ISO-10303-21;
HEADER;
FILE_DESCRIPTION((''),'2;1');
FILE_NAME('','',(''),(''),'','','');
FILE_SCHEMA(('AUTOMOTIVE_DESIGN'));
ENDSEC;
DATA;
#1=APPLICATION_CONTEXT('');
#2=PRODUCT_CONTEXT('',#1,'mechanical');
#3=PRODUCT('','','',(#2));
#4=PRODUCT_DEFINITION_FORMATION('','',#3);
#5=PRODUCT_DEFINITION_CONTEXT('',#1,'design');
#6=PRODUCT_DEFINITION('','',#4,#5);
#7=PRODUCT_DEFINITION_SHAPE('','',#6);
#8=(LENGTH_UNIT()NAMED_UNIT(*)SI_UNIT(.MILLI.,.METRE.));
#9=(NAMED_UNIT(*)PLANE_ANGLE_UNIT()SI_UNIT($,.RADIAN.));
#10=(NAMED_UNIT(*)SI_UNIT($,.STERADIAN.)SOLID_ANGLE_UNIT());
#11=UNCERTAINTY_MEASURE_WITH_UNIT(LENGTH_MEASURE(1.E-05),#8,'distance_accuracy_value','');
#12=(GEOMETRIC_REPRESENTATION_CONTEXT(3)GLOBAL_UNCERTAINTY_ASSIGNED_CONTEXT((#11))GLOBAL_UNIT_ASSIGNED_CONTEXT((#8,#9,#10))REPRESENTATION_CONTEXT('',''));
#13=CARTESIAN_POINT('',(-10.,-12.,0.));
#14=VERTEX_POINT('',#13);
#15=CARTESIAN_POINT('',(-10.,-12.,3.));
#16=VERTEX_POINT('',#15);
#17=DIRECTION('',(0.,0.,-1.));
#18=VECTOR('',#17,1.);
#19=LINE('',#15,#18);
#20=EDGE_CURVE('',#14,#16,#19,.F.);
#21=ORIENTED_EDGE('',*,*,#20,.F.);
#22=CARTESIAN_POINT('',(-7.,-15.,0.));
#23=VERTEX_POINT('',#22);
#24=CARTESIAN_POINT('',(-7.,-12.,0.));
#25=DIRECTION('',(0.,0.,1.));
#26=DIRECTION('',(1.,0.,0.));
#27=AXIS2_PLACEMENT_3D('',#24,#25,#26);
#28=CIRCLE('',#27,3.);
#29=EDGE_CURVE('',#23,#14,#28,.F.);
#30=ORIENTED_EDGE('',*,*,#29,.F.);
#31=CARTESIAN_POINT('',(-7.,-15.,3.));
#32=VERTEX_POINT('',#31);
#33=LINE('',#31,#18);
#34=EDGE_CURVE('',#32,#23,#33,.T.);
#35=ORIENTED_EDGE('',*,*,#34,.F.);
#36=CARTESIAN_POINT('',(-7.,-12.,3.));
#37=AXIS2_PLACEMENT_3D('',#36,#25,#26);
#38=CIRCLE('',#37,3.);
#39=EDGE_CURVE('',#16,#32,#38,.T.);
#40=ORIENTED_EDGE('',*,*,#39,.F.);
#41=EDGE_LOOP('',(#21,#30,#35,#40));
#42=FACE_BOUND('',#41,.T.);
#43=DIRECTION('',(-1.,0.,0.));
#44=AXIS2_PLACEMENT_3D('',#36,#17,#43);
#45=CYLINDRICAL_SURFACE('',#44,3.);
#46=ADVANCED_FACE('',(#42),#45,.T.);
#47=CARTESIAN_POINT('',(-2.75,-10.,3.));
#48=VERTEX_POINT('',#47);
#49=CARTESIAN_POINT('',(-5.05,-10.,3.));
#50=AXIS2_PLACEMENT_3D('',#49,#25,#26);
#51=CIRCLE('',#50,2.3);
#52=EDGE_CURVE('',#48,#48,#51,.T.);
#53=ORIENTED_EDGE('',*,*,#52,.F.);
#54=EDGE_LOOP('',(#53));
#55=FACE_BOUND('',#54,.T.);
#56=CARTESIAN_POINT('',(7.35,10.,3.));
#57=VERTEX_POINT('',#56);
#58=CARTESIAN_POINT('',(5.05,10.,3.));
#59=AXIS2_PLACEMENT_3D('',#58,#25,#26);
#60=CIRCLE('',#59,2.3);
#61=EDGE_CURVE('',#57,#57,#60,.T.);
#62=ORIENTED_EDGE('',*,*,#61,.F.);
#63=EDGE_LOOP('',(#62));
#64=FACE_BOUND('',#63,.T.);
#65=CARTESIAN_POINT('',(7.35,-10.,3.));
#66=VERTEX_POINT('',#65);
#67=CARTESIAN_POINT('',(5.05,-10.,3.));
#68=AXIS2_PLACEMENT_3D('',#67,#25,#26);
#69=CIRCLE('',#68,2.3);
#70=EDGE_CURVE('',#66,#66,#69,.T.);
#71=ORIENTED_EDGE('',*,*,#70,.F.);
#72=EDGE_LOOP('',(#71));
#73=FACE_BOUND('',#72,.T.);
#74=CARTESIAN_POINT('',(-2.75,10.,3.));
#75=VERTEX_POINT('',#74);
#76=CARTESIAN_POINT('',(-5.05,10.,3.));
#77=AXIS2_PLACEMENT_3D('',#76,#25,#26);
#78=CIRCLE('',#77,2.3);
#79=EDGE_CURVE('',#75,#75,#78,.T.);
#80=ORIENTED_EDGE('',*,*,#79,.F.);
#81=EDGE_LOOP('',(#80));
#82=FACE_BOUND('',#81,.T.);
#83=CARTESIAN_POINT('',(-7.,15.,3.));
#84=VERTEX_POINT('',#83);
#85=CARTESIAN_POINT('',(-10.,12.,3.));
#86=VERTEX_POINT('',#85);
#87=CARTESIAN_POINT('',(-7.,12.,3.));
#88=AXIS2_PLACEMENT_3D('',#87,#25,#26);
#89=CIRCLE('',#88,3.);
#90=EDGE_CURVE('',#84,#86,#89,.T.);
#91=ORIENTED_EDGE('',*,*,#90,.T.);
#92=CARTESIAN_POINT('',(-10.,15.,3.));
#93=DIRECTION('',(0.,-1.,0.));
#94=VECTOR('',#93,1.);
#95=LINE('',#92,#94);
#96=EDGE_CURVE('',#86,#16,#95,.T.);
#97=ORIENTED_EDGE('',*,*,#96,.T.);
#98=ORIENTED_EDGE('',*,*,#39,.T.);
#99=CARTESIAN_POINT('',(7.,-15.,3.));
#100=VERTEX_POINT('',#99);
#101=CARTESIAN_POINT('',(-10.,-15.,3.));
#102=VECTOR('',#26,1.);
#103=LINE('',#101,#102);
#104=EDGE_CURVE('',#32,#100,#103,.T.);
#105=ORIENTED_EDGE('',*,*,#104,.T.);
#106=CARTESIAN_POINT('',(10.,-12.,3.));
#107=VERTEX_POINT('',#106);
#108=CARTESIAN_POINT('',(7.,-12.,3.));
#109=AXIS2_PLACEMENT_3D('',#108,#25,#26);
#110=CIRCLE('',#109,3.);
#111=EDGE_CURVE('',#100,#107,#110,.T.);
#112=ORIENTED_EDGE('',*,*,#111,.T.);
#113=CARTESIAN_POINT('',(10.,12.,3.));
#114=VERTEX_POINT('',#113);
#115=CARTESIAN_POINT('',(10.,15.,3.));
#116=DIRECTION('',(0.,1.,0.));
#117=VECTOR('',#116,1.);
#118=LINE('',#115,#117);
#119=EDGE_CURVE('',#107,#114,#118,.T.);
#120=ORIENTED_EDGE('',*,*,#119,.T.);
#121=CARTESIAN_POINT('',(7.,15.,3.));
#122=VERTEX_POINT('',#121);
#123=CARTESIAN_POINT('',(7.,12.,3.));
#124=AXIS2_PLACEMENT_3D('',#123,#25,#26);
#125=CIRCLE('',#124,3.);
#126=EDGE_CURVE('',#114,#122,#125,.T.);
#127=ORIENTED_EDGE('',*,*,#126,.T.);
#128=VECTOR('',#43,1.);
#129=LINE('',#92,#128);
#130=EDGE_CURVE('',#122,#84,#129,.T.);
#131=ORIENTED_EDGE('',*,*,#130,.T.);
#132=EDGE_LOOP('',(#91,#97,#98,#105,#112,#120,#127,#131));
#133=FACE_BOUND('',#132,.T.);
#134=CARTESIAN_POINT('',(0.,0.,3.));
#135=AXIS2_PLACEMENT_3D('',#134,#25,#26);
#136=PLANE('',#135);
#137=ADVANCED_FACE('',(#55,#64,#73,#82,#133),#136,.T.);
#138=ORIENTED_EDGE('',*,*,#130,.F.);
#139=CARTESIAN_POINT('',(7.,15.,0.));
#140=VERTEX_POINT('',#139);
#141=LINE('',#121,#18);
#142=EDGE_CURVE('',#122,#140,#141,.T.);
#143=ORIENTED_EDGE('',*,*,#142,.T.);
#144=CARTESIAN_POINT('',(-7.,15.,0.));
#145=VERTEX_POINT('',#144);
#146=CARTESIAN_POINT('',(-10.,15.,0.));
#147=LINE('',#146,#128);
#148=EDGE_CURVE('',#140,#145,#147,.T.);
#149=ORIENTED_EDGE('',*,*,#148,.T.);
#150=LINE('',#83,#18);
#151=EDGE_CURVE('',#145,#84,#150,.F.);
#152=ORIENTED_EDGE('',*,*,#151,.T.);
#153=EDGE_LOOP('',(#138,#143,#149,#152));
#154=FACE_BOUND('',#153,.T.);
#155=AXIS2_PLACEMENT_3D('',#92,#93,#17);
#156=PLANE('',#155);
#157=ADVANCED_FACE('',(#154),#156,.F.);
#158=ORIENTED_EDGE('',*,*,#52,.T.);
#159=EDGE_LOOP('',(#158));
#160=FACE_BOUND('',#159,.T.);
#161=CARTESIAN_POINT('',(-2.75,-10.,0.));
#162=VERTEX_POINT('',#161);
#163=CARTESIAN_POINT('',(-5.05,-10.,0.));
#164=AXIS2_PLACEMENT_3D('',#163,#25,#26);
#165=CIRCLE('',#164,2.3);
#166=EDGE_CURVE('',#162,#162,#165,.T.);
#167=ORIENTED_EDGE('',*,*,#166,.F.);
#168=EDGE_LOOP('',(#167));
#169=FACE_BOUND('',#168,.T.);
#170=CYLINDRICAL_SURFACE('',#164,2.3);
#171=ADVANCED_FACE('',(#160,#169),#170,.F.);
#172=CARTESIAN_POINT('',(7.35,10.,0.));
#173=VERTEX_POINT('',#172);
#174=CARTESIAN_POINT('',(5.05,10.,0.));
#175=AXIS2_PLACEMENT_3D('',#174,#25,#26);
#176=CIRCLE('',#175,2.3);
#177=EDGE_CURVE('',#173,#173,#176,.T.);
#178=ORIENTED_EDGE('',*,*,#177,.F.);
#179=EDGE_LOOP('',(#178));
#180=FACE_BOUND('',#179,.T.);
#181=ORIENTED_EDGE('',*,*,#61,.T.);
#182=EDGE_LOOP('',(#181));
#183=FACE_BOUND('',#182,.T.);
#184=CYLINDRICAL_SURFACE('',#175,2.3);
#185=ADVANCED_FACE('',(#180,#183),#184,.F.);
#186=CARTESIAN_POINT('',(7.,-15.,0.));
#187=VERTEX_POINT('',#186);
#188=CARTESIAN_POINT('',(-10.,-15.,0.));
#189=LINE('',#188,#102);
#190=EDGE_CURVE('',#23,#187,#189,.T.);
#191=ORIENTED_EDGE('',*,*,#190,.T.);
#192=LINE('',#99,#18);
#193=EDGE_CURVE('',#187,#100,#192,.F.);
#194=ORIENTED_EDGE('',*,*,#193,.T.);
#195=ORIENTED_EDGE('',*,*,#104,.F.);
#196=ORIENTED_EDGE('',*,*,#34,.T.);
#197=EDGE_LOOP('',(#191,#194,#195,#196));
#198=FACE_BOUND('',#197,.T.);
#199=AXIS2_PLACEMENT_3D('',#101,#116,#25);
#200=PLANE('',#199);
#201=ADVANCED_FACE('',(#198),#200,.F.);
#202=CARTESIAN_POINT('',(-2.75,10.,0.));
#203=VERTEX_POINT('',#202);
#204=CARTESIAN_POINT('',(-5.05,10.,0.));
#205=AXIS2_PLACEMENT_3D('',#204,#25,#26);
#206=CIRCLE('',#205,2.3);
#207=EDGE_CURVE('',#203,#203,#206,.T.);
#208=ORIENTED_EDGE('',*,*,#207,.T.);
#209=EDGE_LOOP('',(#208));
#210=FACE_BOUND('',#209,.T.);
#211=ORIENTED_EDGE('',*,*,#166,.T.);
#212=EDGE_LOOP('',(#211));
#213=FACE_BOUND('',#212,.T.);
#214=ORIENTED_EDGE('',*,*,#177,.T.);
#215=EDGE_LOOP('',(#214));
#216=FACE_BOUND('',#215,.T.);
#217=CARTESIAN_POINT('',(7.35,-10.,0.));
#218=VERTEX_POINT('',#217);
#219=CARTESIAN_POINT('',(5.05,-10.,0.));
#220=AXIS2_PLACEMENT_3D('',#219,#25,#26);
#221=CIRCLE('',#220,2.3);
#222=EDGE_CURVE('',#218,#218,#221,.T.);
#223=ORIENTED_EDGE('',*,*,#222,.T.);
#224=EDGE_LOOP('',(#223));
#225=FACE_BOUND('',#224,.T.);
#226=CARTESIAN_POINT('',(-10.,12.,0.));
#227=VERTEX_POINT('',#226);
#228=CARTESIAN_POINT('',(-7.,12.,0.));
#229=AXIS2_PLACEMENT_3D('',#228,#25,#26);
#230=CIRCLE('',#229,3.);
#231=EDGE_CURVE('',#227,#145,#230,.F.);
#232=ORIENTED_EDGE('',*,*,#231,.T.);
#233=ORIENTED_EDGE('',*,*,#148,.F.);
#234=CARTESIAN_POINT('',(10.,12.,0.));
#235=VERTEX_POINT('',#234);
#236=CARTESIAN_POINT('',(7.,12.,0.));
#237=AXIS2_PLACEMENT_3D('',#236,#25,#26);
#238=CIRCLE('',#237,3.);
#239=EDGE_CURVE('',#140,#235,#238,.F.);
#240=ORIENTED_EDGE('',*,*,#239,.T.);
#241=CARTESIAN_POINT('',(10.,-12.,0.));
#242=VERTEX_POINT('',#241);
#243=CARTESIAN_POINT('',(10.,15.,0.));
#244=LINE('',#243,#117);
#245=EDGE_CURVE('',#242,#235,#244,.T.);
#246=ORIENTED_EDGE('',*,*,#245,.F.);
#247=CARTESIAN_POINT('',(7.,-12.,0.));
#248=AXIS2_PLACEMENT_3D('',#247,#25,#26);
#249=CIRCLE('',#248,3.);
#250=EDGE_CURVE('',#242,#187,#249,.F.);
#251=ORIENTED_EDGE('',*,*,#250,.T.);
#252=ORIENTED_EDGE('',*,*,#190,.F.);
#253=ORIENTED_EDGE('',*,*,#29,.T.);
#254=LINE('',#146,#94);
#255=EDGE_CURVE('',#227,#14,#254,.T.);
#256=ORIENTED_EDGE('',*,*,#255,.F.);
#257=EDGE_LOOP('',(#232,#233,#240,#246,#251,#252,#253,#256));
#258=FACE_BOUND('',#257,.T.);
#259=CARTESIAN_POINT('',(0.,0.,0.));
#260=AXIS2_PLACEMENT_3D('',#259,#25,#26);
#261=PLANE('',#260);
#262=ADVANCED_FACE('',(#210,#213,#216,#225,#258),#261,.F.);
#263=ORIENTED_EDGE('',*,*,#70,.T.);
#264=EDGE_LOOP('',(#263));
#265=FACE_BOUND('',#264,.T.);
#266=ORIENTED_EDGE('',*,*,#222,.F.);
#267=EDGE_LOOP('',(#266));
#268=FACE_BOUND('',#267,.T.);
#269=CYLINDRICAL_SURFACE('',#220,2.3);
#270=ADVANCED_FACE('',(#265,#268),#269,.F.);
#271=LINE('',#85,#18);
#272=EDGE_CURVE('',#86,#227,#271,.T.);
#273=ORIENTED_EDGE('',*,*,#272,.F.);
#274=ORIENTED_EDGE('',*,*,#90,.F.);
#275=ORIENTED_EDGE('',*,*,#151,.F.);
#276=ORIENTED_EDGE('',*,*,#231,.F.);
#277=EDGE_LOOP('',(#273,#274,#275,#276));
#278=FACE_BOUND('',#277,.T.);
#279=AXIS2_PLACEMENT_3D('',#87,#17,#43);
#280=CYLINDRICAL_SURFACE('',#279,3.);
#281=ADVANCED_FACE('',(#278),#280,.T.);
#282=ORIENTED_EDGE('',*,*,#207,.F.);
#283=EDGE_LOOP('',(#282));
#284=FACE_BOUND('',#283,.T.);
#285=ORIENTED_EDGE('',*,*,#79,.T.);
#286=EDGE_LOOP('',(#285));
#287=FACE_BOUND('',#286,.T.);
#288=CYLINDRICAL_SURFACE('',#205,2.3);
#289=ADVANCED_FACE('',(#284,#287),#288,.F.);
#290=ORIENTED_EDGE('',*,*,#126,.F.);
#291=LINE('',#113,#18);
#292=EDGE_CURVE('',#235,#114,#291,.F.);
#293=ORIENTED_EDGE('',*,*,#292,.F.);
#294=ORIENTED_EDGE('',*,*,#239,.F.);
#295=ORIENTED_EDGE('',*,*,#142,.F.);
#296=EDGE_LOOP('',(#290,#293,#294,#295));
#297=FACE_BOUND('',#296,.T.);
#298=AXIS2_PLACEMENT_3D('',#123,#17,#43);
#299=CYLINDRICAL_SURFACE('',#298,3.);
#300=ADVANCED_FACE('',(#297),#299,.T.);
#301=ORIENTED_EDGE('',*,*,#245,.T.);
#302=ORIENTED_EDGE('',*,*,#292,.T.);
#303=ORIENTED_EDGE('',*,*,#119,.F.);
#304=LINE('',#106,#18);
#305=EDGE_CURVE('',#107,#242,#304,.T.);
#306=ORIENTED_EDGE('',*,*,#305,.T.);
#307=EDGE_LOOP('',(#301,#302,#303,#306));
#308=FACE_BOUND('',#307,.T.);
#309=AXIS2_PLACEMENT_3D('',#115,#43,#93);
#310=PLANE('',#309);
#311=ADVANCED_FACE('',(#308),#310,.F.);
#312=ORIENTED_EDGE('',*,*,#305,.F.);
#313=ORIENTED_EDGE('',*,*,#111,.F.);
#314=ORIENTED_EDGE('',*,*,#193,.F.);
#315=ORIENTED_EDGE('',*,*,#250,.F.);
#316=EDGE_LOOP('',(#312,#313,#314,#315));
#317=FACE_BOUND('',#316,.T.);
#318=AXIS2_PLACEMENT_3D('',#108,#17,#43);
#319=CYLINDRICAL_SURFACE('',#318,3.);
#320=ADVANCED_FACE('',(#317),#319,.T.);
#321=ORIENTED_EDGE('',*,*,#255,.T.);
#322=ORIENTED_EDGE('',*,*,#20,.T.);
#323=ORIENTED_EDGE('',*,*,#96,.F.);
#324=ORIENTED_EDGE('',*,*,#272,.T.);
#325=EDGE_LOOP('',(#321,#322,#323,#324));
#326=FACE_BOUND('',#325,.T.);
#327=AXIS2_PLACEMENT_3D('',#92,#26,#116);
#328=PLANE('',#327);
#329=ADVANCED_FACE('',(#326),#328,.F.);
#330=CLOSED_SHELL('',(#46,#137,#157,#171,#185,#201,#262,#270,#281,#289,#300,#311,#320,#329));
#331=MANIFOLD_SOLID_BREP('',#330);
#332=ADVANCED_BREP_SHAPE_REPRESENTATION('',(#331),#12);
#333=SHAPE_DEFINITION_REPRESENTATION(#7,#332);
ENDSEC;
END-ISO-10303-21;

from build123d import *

# Parameters (mm, degrees)
SKETCH1_W           = 20
SKETCH1_H           = 30
BOSS_EXTRUDE1_DEPTH = 3
SKETCH2_R           = 2.3
CUT_EXTRUDE1_DEPTH  = 3
FILLET1_R           = 3


with BuildPart() as part:
    # Sketch1 → Boss-Extrude1 (new body)
    with BuildSketch(Plane.XY):
        Rectangle(SKETCH1_W, SKETCH1_H)
    extrude(amount=BOSS_EXTRUDE1_DEPTH)

    # Sketch2 → Cut-Extrude1 (cut)
    with BuildSketch(Plane.XY.offset(3)):
        with Locations((-5.05, 10)):
            Circle(SKETCH2_R)
        with Locations((5.05, 10)):
            Circle(SKETCH2_R)
        with Locations((-5.05, -10)):
            Circle(SKETCH2_R)
        with Locations((5.05, -10)):
            Circle(SKETCH2_R)
    extrude(amount=-CUT_EXTRUDE1_DEPTH, mode=Mode.SUBTRACT)

    # Fillet1
    fillet1_edges = [part.edges().sort_by_distance(p)[0] for p in [
        (10, -15, 1.5),
        (-10, -15, 1.5),
        (-10, 15, 1.5),
        (10, 15, 1.5),
    ]]
    fillet(fillet1_edges, radius=FILLET1_R)


solid = part.part
